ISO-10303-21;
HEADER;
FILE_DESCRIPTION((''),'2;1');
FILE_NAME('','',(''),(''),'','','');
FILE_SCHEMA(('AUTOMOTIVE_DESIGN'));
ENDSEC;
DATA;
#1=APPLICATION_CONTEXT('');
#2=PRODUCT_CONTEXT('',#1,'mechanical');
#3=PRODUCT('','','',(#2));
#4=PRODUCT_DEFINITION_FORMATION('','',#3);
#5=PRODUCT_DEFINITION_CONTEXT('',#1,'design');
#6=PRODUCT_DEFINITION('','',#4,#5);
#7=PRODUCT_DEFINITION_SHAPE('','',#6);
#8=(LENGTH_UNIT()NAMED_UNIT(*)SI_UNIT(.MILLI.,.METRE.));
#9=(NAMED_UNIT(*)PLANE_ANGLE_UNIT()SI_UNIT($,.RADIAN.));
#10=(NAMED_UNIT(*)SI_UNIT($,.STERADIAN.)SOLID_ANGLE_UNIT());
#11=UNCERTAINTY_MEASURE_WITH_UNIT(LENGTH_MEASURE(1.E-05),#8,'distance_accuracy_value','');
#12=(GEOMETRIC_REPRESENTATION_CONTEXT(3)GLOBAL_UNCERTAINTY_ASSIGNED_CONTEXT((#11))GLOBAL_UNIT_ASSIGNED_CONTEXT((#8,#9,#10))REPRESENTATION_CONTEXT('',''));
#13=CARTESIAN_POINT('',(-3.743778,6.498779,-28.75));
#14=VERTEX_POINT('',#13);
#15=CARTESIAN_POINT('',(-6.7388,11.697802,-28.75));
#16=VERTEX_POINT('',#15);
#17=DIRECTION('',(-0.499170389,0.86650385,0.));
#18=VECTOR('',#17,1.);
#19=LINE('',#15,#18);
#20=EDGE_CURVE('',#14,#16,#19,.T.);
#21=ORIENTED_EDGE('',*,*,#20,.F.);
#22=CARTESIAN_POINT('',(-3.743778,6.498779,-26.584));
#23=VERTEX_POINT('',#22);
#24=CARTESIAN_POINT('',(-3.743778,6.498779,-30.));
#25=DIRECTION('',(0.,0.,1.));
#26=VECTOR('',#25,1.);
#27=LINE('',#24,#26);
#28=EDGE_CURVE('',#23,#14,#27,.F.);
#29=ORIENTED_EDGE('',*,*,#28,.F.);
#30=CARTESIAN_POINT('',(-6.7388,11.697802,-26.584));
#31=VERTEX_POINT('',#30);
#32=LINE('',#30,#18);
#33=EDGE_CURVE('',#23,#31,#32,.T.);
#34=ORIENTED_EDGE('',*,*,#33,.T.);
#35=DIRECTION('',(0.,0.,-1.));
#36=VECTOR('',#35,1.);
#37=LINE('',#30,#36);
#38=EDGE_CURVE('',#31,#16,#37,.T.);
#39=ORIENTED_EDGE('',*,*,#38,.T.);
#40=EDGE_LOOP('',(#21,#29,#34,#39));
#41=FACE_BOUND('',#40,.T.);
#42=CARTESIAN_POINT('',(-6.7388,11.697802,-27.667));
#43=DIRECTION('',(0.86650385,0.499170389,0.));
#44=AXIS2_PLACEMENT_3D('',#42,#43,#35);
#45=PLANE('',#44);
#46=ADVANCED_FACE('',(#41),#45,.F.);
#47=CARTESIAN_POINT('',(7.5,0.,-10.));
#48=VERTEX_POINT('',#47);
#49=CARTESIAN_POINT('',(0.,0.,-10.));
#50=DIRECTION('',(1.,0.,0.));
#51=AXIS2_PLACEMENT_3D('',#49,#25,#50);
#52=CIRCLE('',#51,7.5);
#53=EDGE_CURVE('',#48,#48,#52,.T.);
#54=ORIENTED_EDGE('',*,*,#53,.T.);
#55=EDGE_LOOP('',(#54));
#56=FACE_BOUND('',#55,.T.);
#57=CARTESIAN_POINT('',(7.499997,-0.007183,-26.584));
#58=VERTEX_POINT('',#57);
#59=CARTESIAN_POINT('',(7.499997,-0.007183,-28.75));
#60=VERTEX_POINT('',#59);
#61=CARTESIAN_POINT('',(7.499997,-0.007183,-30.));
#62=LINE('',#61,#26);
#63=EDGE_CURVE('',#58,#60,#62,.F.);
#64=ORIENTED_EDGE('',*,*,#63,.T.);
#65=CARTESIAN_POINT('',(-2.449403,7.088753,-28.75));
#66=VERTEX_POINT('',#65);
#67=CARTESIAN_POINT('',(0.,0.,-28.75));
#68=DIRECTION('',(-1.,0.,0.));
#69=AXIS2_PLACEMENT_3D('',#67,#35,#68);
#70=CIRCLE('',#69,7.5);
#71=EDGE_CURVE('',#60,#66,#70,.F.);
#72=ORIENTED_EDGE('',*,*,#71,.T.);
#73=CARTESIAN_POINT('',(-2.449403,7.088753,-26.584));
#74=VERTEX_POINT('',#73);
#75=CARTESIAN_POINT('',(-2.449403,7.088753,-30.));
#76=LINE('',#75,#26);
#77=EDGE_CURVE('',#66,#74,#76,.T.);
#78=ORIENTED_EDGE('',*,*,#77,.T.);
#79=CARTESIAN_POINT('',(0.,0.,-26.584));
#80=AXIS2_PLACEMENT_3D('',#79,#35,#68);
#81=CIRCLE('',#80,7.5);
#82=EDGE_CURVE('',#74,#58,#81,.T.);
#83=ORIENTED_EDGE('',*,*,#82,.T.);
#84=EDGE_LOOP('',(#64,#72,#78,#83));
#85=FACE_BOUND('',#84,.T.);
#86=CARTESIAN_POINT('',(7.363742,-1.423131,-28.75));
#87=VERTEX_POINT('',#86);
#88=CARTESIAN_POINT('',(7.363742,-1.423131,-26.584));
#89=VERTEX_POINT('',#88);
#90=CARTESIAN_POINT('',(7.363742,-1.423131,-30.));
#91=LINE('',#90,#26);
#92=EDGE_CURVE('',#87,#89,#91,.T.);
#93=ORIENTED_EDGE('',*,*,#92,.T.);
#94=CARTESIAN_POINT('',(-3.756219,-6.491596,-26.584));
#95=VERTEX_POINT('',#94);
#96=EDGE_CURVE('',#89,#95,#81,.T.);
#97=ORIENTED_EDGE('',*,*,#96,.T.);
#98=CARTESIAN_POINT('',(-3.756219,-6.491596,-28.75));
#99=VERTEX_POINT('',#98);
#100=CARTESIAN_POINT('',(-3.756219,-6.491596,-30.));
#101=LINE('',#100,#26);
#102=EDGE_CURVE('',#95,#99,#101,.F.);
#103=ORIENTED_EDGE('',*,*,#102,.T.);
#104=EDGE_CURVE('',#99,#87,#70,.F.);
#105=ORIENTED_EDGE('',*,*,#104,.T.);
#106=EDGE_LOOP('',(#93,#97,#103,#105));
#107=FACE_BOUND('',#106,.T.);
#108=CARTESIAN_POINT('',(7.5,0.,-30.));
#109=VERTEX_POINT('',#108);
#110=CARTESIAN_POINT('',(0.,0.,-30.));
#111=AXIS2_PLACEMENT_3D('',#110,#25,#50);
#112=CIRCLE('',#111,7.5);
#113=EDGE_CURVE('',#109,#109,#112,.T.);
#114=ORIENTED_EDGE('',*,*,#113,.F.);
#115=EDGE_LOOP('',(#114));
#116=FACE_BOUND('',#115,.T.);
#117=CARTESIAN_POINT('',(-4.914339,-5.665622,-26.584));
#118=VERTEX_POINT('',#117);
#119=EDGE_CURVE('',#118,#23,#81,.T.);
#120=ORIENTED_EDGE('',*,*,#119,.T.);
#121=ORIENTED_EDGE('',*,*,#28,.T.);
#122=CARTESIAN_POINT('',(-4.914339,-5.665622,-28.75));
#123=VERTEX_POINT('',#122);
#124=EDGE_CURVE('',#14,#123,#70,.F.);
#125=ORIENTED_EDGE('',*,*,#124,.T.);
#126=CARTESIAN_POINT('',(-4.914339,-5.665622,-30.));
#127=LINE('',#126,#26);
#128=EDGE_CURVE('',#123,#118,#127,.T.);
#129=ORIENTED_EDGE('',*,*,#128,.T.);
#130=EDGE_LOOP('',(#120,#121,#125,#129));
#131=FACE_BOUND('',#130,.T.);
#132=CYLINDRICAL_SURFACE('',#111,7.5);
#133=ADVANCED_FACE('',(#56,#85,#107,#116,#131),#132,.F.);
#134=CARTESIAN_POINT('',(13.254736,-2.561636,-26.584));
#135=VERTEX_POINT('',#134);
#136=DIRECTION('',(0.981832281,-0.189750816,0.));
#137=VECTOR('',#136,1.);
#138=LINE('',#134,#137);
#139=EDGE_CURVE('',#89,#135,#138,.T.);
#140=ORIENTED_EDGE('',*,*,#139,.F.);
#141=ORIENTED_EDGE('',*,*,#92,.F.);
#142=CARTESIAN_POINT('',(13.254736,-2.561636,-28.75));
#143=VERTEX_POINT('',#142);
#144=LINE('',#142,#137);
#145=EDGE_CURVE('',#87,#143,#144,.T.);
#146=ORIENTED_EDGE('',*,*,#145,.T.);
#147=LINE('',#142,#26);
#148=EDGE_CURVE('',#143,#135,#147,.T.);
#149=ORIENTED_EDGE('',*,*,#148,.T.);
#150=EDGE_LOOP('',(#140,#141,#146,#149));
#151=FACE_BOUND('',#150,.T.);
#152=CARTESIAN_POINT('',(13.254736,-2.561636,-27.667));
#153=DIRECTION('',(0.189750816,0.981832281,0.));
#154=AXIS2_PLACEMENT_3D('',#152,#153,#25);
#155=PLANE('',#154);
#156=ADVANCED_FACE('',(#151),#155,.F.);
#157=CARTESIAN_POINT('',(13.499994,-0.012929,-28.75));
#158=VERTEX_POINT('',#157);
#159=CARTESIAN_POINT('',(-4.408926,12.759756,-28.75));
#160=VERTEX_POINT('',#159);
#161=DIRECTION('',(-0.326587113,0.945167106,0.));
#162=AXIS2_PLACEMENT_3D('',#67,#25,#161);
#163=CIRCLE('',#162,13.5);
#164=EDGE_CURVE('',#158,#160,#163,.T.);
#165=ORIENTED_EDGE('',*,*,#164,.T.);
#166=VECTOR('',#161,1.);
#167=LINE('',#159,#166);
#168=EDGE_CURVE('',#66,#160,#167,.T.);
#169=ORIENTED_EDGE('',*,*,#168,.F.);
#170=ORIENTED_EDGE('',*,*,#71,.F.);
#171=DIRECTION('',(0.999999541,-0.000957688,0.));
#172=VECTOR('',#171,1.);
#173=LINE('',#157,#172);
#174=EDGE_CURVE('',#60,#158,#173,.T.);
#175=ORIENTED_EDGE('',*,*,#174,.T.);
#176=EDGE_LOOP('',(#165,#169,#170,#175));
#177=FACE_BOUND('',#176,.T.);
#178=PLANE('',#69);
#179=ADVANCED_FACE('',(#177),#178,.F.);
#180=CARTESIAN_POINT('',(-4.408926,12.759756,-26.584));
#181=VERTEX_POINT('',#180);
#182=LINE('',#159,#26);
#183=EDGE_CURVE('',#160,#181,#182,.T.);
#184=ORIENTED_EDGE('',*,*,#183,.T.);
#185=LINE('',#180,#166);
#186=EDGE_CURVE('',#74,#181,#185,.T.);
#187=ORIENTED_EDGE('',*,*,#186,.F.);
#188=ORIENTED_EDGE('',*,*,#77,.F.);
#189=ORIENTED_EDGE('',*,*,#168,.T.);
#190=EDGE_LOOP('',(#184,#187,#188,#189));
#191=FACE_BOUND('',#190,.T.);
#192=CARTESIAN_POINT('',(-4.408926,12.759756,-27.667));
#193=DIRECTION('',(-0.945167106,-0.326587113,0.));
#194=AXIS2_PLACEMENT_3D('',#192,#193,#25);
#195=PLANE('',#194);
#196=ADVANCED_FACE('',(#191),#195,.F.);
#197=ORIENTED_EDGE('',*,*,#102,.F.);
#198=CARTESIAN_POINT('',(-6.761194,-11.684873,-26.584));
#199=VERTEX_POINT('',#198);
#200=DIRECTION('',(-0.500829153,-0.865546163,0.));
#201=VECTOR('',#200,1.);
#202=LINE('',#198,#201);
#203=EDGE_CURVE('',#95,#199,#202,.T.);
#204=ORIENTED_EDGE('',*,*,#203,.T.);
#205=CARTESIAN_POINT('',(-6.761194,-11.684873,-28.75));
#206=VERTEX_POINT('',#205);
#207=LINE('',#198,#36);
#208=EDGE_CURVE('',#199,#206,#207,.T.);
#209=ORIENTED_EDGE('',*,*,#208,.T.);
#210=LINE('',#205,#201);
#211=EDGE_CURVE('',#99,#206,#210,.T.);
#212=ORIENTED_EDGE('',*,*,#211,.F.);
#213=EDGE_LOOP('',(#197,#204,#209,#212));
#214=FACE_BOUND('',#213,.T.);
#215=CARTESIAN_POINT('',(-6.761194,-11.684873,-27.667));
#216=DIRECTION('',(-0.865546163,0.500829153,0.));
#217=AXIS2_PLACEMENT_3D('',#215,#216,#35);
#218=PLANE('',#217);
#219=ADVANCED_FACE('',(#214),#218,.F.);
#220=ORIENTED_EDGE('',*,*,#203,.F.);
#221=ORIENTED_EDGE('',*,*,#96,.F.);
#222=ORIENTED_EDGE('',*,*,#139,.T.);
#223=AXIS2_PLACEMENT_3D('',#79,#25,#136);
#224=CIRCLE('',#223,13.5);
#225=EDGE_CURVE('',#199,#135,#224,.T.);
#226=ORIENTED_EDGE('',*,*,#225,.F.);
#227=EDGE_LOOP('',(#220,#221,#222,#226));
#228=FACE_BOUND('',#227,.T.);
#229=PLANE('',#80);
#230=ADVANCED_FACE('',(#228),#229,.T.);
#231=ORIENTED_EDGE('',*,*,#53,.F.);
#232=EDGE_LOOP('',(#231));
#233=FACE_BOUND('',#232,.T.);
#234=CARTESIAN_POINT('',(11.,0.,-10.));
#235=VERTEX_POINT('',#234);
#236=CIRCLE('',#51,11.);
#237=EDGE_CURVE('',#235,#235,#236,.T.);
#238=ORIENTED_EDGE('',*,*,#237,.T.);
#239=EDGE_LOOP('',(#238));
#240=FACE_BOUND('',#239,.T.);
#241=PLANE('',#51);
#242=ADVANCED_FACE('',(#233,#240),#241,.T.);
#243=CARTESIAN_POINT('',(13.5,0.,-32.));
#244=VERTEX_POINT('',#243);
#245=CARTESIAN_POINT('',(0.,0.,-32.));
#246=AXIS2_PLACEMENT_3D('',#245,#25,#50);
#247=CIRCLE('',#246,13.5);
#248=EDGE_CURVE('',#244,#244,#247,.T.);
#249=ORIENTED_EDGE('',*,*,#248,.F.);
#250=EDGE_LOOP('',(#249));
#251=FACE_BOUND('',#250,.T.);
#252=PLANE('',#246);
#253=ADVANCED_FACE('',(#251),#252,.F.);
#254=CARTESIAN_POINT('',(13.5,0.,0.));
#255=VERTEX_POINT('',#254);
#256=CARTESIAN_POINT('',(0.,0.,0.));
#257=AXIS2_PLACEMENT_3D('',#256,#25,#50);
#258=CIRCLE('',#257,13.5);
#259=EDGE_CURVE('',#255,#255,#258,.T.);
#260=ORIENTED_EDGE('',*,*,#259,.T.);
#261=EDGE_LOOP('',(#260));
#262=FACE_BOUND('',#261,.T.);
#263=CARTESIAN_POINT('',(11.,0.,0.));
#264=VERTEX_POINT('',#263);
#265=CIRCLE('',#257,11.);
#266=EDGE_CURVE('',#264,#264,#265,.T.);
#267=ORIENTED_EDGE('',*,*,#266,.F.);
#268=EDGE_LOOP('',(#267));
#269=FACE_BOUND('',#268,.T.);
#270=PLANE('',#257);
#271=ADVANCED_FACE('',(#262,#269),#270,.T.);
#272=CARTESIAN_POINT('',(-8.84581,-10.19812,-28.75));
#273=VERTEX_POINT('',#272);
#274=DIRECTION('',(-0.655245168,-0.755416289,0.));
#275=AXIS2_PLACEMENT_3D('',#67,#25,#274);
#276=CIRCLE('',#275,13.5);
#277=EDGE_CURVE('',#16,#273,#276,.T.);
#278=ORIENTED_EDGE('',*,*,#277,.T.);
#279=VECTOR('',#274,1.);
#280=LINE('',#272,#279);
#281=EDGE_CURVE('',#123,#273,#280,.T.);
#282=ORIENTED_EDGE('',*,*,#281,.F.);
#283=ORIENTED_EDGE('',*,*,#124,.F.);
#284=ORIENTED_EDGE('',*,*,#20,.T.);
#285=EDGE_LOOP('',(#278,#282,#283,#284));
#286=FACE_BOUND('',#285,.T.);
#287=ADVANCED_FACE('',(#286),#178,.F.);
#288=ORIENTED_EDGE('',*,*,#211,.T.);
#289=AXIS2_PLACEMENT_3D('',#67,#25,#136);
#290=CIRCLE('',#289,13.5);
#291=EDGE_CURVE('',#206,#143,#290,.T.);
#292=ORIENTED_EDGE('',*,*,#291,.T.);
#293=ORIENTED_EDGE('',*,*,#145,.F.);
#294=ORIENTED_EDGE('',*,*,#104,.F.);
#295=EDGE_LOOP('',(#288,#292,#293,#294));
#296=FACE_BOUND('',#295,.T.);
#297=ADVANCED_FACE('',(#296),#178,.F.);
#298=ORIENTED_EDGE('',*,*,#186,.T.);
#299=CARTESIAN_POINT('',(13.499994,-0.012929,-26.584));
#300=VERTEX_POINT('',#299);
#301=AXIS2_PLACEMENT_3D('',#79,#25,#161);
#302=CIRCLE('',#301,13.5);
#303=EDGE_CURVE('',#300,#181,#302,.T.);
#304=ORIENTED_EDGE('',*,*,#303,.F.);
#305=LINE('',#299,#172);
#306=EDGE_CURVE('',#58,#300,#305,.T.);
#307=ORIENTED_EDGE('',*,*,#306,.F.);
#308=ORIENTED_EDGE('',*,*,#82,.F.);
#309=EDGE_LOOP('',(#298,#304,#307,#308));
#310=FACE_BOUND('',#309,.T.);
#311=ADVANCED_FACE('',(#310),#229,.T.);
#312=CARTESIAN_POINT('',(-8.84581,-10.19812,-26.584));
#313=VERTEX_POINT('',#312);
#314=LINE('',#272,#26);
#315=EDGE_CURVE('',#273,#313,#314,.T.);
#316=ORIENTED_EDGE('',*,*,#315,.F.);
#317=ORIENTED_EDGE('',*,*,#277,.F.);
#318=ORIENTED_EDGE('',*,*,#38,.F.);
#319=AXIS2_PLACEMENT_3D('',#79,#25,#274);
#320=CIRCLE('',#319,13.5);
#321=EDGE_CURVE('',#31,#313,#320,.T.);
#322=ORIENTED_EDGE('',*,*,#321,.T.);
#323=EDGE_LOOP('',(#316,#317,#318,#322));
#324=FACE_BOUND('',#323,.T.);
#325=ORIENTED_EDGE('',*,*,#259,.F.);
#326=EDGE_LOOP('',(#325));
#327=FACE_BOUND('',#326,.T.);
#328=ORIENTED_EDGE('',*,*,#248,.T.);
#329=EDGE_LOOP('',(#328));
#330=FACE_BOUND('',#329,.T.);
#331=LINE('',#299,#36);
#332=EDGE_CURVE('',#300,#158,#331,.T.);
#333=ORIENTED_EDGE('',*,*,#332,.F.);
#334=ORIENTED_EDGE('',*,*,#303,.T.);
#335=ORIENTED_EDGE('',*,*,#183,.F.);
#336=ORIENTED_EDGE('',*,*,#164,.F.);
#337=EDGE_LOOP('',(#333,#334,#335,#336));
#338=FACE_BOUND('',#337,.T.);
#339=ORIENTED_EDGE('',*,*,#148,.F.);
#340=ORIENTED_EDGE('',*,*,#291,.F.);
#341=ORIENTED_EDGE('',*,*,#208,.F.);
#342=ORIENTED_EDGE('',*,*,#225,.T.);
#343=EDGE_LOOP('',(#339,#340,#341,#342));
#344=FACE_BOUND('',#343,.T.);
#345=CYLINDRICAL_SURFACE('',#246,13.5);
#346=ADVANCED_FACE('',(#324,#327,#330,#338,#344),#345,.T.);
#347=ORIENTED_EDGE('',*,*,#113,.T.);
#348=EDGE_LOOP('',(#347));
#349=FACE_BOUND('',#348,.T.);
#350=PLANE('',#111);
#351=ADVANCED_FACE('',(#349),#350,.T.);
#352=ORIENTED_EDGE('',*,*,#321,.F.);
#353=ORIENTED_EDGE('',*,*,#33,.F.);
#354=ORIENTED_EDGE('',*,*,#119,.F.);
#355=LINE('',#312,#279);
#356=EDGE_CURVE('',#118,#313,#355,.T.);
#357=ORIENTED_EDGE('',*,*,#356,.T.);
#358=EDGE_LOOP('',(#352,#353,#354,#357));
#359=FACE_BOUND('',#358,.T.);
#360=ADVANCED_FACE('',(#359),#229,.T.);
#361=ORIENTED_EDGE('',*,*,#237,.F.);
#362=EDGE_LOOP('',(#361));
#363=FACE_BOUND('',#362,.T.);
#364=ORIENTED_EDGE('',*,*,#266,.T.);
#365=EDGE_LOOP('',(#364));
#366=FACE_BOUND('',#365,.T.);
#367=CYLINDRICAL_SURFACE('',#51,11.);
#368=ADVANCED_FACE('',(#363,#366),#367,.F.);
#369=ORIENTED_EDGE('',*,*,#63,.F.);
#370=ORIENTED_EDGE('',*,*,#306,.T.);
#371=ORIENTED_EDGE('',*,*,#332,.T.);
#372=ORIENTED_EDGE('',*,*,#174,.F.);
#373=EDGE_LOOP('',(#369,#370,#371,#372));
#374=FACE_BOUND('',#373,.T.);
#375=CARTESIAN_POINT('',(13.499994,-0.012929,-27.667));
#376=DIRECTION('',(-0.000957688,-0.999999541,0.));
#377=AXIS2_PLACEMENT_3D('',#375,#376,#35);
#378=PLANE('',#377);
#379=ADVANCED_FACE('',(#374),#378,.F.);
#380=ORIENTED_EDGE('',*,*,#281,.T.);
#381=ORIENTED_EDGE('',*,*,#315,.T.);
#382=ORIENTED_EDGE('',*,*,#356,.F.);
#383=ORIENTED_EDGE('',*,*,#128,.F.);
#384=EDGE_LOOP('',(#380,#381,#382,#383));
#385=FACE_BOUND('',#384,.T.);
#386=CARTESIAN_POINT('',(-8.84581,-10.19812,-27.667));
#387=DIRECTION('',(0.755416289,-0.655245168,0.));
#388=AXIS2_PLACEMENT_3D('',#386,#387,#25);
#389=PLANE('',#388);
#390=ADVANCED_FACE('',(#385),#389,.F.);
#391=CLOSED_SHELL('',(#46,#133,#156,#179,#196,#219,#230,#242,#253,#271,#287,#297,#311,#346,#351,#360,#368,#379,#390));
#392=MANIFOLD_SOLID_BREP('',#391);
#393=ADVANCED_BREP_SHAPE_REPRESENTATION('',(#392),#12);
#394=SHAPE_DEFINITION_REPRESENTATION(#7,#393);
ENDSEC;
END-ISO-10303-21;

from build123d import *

# Parameters (mm, degrees)
SKETCH2_R           = 13.5
BOSS_EXTRUDE1_DEPTH = 32
SKETCH4_R           = 11
CUT_EXTRUDE1_DEPTH  = 10
SKETCH5_R           = 7.5
CUT_EXTRUDE2_DEPTH  = 30
WRAP1_SECTION_W     = 12
WRAP1_SECTION_H     = 2.166
WRAP1_ANGLE         = 109.116628984
CIRPATTERN1_COUNT   = 3


with BuildPart() as part:
    # Sketch2 → Boss-Extrude1 (new body)
    with BuildSketch(Plane.XY):
        Circle(SKETCH2_R)
    extrude(amount=-BOSS_EXTRUDE1_DEPTH)

    # Sketch4 → Cut-Extrude1 (cut)
    with BuildSketch(Plane.XY):
        Circle(SKETCH4_R)
    extrude(amount=-CUT_EXTRUDE1_DEPTH, mode=Mode.SUBTRACT)

    # Sketch5 → Cut-Extrude2 (cut)
    with BuildSketch(Plane.XY):
        Circle(SKETCH5_R)
    extrude(amount=-CUT_EXTRUDE2_DEPTH, mode=Mode.SUBTRACT)

    # Wrap1 section (on wrap section) → Wrap1 (revolve, cut)
    with BuildSketch(Plane(origin=(0, 0, 0), x_dir=(0.9999995414170643, -0.0009576876636740589, 0), z_dir=(-0.0009576876636740589, -0.9999995414170643, 0))):
        with Locations((7.5, -27.667)):
            Rectangle(WRAP1_SECTION_W, WRAP1_SECTION_H)
    wrap1 = revolve(axis=Axis((0, 0, 0), (0, 0, 1)), revolution_arc=WRAP1_ANGLE, mode=Mode.SUBTRACT)

    # CirPattern1: Wrap1 ×3 about axis
    cirpattern1_axis = Axis((0, 0, 0), (0, 0, 1))
    for i in range(1, CIRPATTERN1_COUNT):
        add(wrap1.rotate(cirpattern1_axis, i * 360 / CIRPATTERN1_COUNT), mode=Mode.SUBTRACT)


solid = part.part
